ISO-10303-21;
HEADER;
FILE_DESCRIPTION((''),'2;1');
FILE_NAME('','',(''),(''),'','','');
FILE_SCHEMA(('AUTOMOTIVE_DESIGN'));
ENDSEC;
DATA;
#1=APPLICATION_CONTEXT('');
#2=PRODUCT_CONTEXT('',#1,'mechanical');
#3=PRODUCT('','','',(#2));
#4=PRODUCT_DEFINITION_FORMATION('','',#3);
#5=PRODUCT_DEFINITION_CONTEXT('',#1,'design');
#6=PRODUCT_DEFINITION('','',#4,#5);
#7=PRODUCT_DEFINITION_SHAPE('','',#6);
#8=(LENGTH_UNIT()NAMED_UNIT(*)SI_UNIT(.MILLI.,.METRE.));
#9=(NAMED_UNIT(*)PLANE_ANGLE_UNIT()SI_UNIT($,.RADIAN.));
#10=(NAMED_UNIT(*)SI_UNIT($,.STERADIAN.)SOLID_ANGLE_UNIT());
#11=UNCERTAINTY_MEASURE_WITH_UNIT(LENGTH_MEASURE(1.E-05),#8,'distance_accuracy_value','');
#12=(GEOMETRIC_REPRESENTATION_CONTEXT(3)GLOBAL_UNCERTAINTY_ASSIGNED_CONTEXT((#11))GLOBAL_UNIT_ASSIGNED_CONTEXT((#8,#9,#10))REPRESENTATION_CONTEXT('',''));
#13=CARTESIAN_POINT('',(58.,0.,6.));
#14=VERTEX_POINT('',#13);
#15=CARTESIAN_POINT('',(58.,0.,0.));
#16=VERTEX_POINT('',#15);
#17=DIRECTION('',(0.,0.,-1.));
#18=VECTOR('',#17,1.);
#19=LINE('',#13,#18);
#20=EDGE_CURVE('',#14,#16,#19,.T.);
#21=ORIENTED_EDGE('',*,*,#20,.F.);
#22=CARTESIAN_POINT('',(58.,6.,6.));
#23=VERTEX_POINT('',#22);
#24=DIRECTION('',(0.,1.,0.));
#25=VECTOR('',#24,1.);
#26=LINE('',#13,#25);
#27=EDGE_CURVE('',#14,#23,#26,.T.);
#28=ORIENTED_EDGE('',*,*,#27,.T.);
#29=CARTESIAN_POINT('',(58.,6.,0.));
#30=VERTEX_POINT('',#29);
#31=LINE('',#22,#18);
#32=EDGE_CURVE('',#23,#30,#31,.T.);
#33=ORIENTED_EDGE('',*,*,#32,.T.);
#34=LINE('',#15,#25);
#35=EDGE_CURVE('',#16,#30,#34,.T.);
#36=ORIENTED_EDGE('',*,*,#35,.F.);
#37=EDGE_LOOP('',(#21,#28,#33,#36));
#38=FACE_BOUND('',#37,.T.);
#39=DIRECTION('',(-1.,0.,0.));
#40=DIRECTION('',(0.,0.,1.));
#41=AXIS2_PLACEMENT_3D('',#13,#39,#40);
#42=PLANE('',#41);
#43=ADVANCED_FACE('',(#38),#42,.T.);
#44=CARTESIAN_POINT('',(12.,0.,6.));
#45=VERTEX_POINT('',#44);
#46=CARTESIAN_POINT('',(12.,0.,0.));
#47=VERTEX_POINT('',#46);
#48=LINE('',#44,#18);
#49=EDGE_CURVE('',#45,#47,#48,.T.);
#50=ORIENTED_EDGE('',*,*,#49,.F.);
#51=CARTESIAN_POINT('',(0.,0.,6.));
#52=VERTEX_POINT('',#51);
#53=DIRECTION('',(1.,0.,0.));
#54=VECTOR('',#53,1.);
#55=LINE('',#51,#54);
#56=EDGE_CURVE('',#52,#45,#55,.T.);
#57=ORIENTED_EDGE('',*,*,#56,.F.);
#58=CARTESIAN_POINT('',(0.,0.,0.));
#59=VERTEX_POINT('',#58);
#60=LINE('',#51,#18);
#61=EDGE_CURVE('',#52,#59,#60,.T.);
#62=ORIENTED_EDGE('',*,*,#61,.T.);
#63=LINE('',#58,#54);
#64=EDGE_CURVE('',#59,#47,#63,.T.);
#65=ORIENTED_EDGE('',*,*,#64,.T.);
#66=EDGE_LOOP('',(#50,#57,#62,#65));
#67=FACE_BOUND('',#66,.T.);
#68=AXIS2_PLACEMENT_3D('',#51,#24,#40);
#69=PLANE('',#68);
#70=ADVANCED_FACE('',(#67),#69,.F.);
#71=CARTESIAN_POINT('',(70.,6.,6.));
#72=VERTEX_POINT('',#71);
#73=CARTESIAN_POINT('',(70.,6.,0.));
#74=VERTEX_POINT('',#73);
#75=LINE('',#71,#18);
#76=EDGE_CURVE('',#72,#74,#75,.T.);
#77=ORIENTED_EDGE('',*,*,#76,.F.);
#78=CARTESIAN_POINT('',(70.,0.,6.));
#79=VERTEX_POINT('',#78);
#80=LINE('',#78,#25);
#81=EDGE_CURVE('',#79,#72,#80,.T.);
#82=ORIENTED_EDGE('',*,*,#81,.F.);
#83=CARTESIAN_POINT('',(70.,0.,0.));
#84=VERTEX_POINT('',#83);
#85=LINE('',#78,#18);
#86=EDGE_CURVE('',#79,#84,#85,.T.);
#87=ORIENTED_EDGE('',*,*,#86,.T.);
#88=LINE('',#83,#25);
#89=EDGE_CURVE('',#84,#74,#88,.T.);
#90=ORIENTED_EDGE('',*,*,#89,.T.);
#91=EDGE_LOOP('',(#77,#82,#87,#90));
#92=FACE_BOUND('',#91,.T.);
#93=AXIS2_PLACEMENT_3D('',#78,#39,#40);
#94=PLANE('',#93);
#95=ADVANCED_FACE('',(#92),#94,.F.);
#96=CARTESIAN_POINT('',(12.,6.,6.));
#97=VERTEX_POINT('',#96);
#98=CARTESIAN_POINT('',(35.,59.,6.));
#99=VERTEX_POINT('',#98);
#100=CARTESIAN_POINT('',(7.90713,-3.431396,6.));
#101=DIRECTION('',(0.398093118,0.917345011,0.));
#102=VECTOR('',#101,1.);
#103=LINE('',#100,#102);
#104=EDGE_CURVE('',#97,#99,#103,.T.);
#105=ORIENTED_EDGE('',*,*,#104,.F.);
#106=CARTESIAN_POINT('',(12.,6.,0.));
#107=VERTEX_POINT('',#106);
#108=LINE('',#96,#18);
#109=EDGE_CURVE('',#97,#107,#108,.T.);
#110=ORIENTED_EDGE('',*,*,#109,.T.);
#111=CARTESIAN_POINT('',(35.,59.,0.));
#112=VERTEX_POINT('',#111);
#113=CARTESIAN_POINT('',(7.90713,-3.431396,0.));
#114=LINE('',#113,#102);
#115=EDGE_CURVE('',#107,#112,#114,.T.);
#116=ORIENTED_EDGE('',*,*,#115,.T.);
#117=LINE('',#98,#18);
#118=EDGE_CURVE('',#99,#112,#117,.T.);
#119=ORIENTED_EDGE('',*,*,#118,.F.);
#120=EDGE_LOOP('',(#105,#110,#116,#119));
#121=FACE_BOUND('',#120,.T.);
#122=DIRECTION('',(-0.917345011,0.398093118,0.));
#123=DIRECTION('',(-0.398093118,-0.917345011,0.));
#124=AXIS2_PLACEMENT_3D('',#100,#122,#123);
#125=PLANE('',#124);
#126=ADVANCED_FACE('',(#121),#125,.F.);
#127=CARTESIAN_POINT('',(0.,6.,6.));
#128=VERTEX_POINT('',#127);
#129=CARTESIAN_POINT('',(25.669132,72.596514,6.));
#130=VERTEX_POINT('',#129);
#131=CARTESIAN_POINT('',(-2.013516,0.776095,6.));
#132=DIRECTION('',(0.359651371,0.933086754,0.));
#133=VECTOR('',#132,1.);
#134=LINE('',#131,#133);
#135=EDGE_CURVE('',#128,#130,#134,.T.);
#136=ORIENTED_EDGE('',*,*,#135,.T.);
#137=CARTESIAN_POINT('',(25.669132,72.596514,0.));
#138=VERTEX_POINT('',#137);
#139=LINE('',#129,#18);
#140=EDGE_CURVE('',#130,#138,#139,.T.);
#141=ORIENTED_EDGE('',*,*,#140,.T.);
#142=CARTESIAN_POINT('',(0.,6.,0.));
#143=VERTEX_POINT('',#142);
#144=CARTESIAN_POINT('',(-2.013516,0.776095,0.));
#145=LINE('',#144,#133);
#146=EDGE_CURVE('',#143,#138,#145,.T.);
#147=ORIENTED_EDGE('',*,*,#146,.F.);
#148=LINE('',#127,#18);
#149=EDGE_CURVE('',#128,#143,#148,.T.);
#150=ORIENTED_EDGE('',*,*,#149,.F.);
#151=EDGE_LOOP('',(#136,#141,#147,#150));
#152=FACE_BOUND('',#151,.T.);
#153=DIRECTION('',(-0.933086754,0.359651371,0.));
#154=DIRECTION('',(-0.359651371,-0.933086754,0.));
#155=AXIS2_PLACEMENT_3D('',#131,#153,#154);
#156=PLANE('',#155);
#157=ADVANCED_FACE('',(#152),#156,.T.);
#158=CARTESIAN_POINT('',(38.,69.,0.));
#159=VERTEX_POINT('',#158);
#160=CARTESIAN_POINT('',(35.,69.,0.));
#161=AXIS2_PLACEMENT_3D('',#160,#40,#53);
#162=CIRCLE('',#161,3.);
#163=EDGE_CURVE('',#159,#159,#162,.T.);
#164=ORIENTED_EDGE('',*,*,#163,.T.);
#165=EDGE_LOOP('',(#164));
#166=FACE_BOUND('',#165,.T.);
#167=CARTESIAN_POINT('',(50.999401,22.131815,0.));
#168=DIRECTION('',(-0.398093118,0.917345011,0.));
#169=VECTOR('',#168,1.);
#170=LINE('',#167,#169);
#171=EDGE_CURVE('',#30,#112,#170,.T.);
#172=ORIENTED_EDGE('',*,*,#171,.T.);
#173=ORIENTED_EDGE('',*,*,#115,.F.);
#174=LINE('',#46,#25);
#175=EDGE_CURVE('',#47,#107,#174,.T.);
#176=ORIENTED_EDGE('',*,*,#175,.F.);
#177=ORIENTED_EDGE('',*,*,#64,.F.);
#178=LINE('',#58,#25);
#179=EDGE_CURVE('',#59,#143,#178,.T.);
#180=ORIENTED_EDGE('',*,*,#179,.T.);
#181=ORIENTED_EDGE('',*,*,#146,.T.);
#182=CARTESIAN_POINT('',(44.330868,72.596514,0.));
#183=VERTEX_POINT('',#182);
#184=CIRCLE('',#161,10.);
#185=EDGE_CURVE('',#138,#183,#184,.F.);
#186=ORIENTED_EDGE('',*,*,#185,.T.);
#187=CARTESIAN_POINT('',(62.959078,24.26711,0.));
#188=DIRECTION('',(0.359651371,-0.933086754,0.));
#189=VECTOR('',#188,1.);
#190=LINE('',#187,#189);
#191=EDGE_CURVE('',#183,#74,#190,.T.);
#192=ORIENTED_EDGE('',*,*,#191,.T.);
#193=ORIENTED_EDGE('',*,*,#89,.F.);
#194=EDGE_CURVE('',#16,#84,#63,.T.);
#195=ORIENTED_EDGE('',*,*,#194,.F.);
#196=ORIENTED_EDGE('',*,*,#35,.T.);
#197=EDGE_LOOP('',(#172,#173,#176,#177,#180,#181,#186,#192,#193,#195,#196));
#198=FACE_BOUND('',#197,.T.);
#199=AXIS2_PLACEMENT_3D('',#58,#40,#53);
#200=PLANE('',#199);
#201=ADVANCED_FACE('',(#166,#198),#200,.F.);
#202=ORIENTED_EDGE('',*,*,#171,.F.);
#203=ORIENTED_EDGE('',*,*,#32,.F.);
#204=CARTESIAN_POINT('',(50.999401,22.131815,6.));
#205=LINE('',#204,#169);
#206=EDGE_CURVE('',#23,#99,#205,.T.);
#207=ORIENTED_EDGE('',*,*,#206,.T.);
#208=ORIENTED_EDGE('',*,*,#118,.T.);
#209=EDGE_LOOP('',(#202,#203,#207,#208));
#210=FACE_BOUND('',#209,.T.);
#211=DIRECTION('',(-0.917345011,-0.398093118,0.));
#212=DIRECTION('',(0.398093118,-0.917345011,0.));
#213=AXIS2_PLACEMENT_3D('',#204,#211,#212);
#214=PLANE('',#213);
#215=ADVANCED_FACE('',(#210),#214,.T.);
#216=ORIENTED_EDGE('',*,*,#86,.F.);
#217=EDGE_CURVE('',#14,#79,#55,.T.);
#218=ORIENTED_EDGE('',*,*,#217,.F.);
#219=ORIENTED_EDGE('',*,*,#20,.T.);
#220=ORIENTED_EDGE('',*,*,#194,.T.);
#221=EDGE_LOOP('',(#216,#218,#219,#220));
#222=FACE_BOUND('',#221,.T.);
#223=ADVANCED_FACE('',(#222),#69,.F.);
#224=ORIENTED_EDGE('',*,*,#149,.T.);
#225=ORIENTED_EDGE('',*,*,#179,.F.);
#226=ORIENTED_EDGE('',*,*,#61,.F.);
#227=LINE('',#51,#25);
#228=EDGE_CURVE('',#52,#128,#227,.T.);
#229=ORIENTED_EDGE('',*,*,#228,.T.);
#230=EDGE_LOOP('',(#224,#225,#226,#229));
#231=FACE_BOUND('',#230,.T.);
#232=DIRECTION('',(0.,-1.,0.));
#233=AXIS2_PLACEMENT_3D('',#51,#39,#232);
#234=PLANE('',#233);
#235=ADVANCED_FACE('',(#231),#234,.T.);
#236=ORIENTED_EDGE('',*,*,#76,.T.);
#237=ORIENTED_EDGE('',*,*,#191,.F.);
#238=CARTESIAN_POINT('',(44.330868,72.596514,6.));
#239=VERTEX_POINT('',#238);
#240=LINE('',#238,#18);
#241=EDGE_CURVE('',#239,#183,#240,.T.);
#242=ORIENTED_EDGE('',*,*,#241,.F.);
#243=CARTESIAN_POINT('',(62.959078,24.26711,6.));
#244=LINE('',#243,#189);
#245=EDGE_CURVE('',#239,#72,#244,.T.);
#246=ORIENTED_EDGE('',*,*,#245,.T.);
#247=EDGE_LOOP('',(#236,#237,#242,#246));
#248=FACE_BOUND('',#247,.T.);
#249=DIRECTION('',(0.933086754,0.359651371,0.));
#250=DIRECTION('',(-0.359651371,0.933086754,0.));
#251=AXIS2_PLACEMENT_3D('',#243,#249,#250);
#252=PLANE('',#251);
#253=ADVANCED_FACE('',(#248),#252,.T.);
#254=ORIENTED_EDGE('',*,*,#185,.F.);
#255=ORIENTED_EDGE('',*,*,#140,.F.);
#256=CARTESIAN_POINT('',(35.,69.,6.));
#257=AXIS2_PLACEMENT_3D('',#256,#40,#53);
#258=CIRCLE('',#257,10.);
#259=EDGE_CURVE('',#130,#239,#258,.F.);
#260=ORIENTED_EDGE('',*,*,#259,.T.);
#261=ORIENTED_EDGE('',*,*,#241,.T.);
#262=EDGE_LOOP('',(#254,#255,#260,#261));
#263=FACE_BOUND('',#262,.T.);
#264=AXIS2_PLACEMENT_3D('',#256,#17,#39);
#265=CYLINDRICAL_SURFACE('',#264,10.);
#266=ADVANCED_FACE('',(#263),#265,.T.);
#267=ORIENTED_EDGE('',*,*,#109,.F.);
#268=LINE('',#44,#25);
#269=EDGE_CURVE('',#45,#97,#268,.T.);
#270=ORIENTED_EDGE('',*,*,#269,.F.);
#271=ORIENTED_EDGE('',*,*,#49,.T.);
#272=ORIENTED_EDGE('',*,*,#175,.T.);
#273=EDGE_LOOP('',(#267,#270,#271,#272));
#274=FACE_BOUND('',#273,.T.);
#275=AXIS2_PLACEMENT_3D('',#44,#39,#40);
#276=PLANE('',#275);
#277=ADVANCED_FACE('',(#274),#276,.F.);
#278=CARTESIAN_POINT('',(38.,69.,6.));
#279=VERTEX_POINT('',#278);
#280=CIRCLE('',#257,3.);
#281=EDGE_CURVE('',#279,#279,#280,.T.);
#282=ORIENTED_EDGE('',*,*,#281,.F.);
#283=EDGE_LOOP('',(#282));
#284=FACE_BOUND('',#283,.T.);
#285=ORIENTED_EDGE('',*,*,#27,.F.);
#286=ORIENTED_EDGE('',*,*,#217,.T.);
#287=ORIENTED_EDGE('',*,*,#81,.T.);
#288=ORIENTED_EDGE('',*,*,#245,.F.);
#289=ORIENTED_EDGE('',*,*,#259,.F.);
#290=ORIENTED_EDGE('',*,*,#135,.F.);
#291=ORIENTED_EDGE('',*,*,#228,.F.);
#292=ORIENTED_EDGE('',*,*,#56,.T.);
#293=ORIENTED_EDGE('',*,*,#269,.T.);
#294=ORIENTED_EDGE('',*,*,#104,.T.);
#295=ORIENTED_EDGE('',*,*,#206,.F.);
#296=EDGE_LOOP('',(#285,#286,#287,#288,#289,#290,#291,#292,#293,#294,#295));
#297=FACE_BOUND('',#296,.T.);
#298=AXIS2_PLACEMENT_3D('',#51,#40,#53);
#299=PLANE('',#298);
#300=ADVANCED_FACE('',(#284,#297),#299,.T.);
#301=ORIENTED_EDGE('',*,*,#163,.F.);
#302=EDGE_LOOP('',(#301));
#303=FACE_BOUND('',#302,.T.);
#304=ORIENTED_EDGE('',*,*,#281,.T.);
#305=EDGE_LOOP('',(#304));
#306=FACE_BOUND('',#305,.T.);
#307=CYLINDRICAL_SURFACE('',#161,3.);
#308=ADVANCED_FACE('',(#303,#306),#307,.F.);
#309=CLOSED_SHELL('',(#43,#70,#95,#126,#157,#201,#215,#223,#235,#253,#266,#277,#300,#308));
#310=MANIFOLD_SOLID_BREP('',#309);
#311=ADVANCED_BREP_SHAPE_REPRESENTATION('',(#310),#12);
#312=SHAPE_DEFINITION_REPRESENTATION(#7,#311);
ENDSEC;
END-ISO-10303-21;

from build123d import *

# Parameters (mm, degrees)
ESBO_O1_R                = 5
ESBO_O1_W                = 12
ESBO_O1_H                = 6
RESSALTO_EXTRUS_O1_DEPTH = 6
RESSALTO_EXTRUS_O2_START = -6
ESBO_O2_R                = 5
ESBO_O2_R_2              = 3
RESSALTO_EXTRUS_O2_DEPTH = 6


with BuildPart() as part:
    # Esboço1 → Ressalto-extrusão1 (new body)
    # profile 1 of 3: a face of its own
    with BuildSketch(Plane.XY):
        with BuildLine():
            ThreePointArc((25.669132457, 72.596513714), (35, 79), (44.330867543, 72.596513714))
            Line((44.330867543, 72.596513714), (70, 6))
            Line((70, 6), (58, 6))
            Line((58, 6), (35, 59))
            Line((35, 59), (12, 6))
            Line((12, 6), (0, 6))
            Line((0, 6), (25.669132457, 72.596513714))
        make_face()
        with Locations((35, 69)):
            Circle(ESBO_O1_R, mode=Mode.SUBTRACT)
    # profile 2 of 3: a face of its own
    with BuildSketch(Plane.XY):
        with Locations((6, 3)):
            Rectangle(ESBO_O1_W, ESBO_O1_H)
    # profile 3 of 3: a face of its own
    with BuildSketch(Plane.XY):
        with Locations((64, 3)):
            Rectangle(ESBO_O1_W, ESBO_O1_H)
    extrude(amount=RESSALTO_EXTRUS_O1_DEPTH)

    # Esboço2 → Ressalto-extrusão2 (add)
    with BuildSketch(Plane.XY.offset(6).offset(RESSALTO_EXTRUS_O2_START)):
        with Locations((35, 69)):
            Circle(ESBO_O2_R)
        with Locations((35, 69)):
            Circle(ESBO_O2_R_2, mode=Mode.SUBTRACT)
    extrude(amount=RESSALTO_EXTRUS_O2_DEPTH)


solid = part.part
